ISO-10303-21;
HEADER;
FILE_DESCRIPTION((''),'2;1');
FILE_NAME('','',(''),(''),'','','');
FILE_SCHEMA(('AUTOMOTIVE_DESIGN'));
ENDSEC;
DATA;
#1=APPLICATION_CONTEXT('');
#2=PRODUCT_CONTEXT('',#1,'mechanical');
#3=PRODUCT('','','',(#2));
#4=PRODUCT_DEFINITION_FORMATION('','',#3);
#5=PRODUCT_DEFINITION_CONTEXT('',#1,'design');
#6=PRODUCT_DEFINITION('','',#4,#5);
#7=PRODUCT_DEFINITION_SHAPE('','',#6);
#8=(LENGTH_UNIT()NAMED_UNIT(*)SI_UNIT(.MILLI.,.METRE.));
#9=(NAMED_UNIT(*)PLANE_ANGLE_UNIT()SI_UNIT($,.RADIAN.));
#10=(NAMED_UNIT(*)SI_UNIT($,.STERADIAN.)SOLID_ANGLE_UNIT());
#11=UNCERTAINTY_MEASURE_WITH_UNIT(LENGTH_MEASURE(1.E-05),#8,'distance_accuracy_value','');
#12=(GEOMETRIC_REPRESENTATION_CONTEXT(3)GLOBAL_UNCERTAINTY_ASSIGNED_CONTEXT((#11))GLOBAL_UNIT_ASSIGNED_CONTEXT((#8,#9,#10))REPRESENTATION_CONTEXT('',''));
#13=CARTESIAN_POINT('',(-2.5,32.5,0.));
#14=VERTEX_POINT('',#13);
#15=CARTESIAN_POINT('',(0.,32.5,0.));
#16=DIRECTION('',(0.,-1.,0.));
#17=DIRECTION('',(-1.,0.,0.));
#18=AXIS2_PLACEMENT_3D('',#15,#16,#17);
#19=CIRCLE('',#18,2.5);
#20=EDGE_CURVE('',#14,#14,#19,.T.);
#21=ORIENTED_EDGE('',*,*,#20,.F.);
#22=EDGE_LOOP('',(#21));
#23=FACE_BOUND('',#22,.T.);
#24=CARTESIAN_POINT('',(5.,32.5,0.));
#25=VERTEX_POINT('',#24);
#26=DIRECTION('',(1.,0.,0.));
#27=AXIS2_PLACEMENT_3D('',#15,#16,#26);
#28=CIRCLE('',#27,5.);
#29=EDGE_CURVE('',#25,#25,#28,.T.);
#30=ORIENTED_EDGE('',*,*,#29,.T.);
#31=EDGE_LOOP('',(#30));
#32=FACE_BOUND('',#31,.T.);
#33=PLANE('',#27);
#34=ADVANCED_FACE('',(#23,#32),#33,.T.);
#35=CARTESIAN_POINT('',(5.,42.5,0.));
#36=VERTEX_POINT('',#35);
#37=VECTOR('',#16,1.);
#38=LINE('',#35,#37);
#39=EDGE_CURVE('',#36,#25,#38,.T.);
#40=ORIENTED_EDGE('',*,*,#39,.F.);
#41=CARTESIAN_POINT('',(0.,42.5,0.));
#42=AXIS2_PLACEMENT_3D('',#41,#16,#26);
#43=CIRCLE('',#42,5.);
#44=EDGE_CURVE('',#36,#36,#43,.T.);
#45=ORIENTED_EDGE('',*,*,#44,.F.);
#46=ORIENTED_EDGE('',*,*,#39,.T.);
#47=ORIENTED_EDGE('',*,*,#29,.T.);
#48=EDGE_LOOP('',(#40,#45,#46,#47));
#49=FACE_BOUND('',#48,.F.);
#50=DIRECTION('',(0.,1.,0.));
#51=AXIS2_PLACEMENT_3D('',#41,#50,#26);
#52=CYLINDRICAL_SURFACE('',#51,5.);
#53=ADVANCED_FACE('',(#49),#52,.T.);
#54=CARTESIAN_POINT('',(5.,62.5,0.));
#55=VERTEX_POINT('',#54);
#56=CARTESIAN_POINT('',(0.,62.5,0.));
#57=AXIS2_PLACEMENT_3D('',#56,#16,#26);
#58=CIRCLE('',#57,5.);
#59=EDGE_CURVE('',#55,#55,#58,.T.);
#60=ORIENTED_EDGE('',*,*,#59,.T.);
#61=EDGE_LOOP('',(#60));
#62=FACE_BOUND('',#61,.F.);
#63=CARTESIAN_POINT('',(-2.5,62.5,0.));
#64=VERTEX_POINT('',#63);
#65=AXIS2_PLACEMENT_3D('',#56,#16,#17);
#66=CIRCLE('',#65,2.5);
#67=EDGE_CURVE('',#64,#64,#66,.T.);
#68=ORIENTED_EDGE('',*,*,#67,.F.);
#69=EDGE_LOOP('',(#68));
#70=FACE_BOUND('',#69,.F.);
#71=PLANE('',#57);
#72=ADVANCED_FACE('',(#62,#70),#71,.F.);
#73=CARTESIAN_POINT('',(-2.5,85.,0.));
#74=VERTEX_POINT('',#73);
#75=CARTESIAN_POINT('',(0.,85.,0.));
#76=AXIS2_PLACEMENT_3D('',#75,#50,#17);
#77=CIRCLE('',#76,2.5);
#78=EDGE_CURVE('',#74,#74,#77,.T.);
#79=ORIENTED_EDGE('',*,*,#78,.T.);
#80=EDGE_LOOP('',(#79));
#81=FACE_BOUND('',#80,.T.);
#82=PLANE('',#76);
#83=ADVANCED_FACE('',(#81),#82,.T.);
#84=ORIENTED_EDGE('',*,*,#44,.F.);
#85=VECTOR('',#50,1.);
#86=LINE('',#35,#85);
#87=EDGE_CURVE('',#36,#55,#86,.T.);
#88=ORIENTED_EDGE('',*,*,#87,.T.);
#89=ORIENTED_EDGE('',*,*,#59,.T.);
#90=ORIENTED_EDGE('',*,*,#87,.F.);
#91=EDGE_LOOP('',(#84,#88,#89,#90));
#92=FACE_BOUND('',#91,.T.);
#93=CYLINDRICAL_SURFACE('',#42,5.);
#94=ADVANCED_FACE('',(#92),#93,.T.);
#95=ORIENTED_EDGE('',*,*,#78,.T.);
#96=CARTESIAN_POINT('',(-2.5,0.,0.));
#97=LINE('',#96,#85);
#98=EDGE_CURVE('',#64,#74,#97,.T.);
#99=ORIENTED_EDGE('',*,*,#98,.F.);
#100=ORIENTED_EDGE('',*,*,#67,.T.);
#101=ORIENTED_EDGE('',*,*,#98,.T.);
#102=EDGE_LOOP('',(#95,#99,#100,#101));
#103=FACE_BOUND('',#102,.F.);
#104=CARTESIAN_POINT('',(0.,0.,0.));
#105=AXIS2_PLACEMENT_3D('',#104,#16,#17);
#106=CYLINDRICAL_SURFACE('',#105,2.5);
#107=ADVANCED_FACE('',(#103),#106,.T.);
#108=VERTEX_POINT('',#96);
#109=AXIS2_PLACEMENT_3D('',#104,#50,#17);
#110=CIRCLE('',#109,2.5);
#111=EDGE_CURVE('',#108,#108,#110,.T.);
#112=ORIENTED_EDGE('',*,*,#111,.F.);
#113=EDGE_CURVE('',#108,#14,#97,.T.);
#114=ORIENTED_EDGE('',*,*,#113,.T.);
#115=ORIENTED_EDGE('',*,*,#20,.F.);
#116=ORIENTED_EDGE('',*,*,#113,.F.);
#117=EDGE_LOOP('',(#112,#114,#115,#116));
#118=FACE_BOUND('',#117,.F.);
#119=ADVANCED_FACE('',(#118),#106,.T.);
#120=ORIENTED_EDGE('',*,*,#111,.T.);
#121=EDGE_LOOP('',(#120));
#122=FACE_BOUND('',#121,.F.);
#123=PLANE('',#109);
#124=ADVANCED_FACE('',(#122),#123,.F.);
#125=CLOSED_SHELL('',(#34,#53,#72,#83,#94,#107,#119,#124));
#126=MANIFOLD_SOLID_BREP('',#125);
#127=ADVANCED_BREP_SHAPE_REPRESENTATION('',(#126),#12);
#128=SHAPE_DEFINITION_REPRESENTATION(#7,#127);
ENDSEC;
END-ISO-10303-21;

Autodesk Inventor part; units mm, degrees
ref_plane "YZ Plane" through (0, 0, 0) normal (1, 0, 0) x (0, 1, 0)
ref_plane "XZ Plane" through (0, 0, 0) normal (0, 1, 0) x (-1, 0, 0)
ref_plane "XY Plane" through (0, 0, 0) normal (0, 0, 1) x (1, 0, 0)
sketch "Эскиз1" plane through (0, 0, 0) normal (0, 1, 0) x (-1, 0, 0)
  circle A0 centre (0, 0) radius 2.5
  dimension "d0" = 5
extrude "Выдавливание1" add sketch "Эскиз1" along normal blind 85
thread "Резьба1" size "M5x0.8" class "6g" standard "ANSI Metric M Profile" full length
ref_plane "РабПлоскость1" through (0, 42.5, 0) normal (0, -1, 0) x (1, 0, 0)
sketch "Эскиз2" plane through (0, 42.5, 0) normal (0, -1, 0) x (1, 0, 0)
  circle A0 centre (0, 0) radius 5
  dimension "d5" = 10
extrude "Выдавливание2" add sketch "Эскиз2" along normal blind 10 and the other way blind 20
properties part number "Screw"
